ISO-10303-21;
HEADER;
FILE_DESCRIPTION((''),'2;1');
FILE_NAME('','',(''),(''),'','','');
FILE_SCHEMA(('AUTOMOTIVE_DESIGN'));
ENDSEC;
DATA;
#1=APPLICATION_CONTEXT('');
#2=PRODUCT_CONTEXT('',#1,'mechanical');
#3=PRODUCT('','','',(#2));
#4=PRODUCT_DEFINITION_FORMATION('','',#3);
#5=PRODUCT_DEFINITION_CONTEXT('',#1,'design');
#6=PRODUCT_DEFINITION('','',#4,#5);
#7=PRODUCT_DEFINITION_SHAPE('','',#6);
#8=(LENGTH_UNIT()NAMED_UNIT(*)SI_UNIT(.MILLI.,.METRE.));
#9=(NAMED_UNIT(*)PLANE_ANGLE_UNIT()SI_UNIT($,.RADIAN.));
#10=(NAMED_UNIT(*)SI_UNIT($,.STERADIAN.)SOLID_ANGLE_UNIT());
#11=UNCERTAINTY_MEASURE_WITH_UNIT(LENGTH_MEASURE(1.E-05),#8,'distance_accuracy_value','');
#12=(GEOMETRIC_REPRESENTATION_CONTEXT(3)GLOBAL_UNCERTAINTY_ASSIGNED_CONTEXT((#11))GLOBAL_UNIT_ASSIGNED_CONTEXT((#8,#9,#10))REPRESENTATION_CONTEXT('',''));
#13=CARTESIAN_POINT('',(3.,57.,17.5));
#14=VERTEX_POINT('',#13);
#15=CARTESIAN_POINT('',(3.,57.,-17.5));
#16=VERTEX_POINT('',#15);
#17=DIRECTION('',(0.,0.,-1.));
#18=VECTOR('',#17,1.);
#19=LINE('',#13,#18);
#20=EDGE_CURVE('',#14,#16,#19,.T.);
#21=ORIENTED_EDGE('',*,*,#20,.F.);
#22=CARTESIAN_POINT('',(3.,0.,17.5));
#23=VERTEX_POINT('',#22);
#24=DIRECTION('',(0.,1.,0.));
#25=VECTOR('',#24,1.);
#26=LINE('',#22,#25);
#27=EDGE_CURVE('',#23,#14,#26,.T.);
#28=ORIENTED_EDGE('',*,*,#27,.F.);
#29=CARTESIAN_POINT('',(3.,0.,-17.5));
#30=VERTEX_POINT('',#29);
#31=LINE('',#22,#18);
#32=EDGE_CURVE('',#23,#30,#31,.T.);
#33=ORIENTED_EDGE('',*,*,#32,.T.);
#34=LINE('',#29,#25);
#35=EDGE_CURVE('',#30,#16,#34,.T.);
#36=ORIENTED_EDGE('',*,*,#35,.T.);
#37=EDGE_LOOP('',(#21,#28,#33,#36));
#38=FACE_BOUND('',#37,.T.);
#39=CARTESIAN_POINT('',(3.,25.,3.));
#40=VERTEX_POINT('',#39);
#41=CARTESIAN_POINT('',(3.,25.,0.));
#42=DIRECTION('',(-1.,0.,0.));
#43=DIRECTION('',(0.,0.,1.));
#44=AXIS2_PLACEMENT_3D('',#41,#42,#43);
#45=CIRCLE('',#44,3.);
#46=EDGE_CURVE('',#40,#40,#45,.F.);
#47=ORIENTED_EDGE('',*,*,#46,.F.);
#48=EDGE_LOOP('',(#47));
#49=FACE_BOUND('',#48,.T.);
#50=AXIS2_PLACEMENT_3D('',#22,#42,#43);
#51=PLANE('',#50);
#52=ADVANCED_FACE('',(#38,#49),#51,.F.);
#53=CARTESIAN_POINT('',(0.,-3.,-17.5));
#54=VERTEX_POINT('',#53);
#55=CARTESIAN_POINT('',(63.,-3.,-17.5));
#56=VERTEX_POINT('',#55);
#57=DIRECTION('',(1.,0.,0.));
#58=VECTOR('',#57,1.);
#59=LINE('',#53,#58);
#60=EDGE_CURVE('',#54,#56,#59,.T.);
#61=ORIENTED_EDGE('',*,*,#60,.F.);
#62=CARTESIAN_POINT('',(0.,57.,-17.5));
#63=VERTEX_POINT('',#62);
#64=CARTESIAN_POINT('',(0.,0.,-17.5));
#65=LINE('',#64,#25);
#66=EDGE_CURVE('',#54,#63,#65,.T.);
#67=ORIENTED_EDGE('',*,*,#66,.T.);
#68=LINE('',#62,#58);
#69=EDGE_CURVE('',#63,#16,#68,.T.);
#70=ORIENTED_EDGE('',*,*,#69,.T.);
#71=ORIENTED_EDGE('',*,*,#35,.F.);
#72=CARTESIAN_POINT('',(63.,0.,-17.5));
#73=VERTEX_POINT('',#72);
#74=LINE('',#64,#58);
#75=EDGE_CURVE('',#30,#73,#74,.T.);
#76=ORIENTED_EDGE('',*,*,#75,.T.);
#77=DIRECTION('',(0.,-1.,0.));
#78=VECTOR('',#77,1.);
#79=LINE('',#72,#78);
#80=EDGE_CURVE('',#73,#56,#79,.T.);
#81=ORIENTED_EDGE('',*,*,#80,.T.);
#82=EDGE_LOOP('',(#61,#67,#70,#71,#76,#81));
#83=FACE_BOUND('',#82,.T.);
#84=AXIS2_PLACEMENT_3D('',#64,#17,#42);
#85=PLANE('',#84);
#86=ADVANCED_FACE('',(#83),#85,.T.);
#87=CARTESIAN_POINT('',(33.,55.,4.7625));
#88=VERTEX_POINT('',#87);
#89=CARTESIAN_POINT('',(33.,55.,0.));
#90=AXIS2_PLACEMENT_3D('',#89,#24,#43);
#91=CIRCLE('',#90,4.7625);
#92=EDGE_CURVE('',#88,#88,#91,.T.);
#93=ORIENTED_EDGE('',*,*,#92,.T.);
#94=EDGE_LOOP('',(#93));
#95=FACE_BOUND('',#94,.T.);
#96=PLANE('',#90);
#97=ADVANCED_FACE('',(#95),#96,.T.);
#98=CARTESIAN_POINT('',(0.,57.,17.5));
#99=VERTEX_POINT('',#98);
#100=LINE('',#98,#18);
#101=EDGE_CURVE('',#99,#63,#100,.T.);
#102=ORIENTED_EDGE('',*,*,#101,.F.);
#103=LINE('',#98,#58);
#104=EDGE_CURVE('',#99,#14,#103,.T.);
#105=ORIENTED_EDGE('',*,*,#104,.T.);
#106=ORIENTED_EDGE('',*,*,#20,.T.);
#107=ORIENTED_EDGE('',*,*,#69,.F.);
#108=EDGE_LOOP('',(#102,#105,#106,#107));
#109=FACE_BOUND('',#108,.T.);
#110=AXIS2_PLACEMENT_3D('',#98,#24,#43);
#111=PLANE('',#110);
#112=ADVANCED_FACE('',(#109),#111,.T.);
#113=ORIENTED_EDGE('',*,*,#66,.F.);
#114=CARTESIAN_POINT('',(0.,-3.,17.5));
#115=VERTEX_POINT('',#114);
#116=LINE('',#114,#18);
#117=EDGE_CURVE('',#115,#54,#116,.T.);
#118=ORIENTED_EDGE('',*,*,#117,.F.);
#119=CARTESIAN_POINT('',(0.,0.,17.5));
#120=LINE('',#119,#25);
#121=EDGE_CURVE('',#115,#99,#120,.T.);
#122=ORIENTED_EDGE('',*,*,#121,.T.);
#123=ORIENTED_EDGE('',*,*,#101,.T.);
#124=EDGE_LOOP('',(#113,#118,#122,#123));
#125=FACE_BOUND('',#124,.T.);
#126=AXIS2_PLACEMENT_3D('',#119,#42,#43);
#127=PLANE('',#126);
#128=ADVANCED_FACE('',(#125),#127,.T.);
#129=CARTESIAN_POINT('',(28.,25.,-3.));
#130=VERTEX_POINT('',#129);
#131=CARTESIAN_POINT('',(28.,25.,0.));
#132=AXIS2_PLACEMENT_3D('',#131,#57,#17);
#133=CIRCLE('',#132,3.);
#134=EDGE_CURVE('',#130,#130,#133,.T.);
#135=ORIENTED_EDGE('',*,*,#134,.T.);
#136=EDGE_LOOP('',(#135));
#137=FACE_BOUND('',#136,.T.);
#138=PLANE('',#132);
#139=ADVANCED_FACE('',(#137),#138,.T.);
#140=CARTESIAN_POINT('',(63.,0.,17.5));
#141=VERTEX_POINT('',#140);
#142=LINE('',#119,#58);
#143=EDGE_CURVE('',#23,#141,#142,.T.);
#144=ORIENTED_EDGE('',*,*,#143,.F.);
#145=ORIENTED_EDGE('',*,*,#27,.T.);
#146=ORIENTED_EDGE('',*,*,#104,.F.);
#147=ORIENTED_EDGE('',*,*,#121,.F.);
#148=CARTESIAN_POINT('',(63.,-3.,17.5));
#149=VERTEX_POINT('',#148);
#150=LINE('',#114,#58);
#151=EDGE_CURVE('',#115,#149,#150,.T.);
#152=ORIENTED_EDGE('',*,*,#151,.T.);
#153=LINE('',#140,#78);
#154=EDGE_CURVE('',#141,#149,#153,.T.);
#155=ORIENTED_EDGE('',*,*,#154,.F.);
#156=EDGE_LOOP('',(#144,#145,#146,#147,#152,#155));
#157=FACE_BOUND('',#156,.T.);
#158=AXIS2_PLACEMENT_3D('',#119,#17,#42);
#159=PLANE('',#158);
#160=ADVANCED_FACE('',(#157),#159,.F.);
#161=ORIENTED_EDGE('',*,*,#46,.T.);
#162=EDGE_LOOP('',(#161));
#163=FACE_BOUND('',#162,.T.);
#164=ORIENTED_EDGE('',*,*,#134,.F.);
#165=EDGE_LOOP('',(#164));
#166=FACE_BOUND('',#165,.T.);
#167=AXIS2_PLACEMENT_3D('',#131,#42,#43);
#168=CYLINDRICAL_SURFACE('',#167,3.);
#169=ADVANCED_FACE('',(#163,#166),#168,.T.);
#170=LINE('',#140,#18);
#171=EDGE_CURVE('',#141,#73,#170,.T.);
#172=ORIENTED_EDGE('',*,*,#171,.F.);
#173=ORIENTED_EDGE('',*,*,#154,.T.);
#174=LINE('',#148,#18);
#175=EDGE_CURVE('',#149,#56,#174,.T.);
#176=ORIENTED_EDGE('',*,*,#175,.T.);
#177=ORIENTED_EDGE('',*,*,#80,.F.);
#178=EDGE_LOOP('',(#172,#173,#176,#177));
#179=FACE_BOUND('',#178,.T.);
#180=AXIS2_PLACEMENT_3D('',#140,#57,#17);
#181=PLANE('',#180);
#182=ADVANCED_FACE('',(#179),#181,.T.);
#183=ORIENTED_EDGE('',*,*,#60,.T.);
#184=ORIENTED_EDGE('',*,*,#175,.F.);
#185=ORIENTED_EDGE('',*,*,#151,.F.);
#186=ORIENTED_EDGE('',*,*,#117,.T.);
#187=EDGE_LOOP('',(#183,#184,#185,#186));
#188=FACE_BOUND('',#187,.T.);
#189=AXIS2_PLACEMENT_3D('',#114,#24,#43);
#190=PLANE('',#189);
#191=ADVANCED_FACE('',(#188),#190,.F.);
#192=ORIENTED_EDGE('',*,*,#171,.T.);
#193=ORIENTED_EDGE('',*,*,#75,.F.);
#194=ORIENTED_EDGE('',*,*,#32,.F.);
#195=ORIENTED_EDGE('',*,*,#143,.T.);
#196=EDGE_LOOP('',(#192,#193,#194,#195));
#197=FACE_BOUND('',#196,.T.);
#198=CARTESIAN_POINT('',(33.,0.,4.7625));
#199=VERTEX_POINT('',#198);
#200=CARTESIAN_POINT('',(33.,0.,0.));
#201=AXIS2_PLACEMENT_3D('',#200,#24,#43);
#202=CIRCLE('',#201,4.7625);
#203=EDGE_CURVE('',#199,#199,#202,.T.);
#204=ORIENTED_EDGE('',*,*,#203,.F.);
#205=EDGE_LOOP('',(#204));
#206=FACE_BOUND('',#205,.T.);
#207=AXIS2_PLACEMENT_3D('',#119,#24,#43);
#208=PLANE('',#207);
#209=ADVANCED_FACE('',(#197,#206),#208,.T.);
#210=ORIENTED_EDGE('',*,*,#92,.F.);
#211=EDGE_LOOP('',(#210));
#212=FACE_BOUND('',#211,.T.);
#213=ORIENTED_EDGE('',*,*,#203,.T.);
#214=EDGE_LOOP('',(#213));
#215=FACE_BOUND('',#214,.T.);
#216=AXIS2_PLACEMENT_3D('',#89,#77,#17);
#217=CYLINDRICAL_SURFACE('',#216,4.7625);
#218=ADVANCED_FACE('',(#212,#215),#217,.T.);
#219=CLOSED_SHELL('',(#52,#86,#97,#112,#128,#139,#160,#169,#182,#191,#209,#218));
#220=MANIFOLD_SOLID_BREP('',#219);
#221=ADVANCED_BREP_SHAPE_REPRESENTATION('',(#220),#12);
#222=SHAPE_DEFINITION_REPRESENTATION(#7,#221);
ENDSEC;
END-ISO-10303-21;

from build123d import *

# Parameters (mm, degrees)
CROQUIS1_W              = 3
CROQUIS1_H              = 57
SALIENTE_EXTRUIR1_DEPTH = 17.5
CROQUIS2_R              = 3
SALIENTE_EXTRUIR2_DEPTH = 25
CROQUIS3_R              = 4.7625
SALIENTE_EXTRUIR3_DEPTH = 55


with BuildPart() as part:
    # Croquis1 → Saliente-Extruir1 (new, symmetric)
    with BuildSketch(Plane.XY):
        with Locations((1.5, 28.5)):
            Rectangle(CROQUIS1_W, CROQUIS1_H)
        Polygon((3, 0), (0, 0), (0, -3), (63, -3), (63, 0), align=None)
    extrude(amount=SALIENTE_EXTRUIR1_DEPTH, both=True)

    # Croquis2 → Saliente-Extruir2 (add)
    with BuildSketch(Plane(origin=(3, 0, 0), x_dir=(0, 0, -1), z_dir=(1, 0, 0))):
        with Locations(Location((0, 25, 0), (0, 0, 180))):
            Circle(CROQUIS2_R)
    extrude(amount=SALIENTE_EXTRUIR2_DEPTH)

    # Croquis3 → Saliente-Extruir3 (add)
    with BuildSketch(Plane(origin=(0, 0, 0), x_dir=(1, 0, 0), z_dir=(0, 1, 0))):
        with Locations(Location((33, 0, 0), (0, 0, 270))):
            Circle(CROQUIS3_R)
    extrude(amount=SALIENTE_EXTRUIR3_DEPTH)


solid = part.part
